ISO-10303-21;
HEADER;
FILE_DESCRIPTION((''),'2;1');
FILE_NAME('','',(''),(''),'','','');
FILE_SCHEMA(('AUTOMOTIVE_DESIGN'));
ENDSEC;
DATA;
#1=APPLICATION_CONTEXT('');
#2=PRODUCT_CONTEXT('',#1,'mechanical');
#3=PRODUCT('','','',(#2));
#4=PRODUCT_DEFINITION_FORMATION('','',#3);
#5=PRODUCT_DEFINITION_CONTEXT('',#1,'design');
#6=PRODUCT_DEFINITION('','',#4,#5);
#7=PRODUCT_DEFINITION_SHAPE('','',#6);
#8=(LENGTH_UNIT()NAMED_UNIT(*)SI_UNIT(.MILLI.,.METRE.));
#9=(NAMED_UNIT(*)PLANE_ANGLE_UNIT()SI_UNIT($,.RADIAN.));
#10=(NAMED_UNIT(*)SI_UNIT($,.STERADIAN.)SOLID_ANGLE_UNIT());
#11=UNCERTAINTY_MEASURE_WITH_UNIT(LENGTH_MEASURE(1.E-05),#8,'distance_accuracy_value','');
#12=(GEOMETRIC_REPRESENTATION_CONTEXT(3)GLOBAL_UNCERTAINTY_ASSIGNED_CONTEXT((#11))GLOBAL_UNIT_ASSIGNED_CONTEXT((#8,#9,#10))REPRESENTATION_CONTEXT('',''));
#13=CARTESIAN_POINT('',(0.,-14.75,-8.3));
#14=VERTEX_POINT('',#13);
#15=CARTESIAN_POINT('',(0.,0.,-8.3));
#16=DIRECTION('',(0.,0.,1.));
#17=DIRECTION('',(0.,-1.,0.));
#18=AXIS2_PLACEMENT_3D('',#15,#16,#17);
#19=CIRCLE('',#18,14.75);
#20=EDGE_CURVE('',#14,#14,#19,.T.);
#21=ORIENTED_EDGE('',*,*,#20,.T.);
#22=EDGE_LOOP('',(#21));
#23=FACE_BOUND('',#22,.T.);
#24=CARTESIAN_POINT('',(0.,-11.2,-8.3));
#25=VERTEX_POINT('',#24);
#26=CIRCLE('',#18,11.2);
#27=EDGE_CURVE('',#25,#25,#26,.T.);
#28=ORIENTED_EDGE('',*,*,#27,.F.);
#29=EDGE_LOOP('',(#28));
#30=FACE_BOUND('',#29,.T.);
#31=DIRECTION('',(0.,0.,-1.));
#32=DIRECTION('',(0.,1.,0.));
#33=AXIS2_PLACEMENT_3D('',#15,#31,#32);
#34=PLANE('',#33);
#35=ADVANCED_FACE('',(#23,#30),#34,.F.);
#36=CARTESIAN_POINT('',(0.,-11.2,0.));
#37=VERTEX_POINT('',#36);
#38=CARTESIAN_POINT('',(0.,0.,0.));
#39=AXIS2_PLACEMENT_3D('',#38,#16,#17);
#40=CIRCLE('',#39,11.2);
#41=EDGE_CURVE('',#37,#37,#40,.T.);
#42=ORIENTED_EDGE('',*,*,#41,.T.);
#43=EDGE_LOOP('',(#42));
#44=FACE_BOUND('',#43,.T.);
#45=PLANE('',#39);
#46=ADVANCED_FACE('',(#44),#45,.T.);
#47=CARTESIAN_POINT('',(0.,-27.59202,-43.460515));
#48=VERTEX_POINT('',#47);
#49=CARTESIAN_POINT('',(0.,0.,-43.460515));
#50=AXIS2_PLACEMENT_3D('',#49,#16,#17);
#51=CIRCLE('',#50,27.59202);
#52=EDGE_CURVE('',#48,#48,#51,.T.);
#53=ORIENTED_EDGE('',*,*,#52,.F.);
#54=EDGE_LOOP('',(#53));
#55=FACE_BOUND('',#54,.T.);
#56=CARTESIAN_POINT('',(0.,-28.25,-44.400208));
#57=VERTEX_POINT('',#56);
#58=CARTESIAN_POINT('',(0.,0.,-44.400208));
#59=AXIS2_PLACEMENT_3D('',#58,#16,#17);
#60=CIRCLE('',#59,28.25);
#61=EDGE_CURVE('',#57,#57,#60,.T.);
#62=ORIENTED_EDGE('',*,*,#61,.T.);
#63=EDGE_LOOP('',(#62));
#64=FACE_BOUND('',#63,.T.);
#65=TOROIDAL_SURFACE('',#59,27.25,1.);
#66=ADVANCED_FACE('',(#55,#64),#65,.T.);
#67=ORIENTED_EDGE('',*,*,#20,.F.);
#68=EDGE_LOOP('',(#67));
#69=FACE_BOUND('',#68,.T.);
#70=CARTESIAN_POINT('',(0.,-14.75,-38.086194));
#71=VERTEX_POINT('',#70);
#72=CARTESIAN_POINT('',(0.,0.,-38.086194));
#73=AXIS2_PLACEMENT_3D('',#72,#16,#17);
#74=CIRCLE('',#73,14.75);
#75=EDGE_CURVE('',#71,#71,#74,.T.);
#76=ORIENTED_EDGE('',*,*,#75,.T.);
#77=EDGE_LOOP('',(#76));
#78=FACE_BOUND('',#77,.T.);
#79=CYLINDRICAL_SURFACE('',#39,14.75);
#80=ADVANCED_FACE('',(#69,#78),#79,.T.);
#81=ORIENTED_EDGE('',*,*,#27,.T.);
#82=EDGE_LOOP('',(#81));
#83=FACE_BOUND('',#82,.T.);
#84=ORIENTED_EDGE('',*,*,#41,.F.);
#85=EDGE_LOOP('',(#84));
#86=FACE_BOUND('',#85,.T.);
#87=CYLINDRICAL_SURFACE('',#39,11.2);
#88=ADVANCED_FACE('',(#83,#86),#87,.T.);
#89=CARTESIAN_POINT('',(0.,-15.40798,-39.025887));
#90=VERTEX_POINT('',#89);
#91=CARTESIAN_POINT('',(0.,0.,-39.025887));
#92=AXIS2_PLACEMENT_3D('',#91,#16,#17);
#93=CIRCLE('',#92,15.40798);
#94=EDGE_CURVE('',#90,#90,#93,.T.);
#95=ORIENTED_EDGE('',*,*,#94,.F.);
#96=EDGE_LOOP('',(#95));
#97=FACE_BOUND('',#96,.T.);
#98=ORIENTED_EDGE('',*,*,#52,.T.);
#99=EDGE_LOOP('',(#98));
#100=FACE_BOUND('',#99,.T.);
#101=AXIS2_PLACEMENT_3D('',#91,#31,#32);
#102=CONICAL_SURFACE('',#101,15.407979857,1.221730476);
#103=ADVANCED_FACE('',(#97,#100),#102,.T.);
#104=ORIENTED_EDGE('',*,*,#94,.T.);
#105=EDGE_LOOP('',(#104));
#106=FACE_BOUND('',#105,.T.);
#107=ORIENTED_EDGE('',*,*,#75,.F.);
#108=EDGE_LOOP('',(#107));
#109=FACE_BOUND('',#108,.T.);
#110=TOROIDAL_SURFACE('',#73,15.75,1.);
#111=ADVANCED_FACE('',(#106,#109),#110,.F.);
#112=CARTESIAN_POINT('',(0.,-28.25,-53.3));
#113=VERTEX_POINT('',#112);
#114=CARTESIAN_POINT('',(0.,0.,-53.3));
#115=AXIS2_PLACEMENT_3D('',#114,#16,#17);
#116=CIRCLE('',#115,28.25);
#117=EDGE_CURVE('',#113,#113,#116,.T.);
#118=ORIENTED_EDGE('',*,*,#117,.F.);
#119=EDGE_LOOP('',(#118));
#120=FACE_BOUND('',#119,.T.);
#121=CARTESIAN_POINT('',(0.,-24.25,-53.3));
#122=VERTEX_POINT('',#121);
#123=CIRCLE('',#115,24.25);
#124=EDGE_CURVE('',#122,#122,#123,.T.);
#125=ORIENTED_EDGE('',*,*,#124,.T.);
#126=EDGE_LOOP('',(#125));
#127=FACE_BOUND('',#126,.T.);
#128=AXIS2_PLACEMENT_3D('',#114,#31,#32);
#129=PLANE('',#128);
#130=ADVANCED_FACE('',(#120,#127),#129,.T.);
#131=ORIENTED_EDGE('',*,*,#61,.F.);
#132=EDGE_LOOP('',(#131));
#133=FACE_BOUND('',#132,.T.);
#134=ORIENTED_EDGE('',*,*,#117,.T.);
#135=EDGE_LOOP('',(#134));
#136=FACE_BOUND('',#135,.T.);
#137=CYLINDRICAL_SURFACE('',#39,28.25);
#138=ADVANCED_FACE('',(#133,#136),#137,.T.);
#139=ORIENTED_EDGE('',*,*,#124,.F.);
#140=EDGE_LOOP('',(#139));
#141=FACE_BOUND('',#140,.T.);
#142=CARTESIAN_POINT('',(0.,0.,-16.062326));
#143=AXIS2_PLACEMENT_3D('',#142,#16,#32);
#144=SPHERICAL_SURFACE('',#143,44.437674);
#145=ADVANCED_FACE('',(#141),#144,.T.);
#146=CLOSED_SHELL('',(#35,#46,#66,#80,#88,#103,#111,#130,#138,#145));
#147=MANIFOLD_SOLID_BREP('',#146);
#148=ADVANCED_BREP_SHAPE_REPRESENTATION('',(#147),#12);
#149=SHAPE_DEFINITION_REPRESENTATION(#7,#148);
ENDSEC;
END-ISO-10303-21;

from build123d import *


with BuildPart() as part:
    # Sketch1 → Revolve1 (revolve)
    with BuildSketch(Plane(origin=(0, 0, 0), x_dir=(0, 0, -1), z_dir=(1, 0, 0))):
        with BuildLine():
            Line((39.02588692, 15.407979857), (43.460514917, 27.592020143))
            ThreePointArc((43.460514917, 27.592020143), (43.826631102, 28.069152044), (44.400207538, 28.25))
            Line((44.400207538, 28.25), (53.3, 28.25))
            Line((53.3, 28.25), (53.3, 24.25))
            ThreePointArc((53.3, 24.25), (58.661988488, 12.648147098), (60.5, 0))
            Line((60.5, 0), (0, 0))
            Line((0, 0), (0, 11.2))
            Line((0, 11.2), (8.3, 11.2))
            Line((8.3, 11.2), (8.3, 14.75))
            Line((8.3, 14.75), (38.086194299, 14.75))
            ThreePointArc((38.086194299, 14.75), (38.659770736, 14.930847956), (39.02588692, 15.407979857))
        make_face()
    revolve(axis=Axis((0, 0, 0), (0, 0, -1)))


solid = part.part
